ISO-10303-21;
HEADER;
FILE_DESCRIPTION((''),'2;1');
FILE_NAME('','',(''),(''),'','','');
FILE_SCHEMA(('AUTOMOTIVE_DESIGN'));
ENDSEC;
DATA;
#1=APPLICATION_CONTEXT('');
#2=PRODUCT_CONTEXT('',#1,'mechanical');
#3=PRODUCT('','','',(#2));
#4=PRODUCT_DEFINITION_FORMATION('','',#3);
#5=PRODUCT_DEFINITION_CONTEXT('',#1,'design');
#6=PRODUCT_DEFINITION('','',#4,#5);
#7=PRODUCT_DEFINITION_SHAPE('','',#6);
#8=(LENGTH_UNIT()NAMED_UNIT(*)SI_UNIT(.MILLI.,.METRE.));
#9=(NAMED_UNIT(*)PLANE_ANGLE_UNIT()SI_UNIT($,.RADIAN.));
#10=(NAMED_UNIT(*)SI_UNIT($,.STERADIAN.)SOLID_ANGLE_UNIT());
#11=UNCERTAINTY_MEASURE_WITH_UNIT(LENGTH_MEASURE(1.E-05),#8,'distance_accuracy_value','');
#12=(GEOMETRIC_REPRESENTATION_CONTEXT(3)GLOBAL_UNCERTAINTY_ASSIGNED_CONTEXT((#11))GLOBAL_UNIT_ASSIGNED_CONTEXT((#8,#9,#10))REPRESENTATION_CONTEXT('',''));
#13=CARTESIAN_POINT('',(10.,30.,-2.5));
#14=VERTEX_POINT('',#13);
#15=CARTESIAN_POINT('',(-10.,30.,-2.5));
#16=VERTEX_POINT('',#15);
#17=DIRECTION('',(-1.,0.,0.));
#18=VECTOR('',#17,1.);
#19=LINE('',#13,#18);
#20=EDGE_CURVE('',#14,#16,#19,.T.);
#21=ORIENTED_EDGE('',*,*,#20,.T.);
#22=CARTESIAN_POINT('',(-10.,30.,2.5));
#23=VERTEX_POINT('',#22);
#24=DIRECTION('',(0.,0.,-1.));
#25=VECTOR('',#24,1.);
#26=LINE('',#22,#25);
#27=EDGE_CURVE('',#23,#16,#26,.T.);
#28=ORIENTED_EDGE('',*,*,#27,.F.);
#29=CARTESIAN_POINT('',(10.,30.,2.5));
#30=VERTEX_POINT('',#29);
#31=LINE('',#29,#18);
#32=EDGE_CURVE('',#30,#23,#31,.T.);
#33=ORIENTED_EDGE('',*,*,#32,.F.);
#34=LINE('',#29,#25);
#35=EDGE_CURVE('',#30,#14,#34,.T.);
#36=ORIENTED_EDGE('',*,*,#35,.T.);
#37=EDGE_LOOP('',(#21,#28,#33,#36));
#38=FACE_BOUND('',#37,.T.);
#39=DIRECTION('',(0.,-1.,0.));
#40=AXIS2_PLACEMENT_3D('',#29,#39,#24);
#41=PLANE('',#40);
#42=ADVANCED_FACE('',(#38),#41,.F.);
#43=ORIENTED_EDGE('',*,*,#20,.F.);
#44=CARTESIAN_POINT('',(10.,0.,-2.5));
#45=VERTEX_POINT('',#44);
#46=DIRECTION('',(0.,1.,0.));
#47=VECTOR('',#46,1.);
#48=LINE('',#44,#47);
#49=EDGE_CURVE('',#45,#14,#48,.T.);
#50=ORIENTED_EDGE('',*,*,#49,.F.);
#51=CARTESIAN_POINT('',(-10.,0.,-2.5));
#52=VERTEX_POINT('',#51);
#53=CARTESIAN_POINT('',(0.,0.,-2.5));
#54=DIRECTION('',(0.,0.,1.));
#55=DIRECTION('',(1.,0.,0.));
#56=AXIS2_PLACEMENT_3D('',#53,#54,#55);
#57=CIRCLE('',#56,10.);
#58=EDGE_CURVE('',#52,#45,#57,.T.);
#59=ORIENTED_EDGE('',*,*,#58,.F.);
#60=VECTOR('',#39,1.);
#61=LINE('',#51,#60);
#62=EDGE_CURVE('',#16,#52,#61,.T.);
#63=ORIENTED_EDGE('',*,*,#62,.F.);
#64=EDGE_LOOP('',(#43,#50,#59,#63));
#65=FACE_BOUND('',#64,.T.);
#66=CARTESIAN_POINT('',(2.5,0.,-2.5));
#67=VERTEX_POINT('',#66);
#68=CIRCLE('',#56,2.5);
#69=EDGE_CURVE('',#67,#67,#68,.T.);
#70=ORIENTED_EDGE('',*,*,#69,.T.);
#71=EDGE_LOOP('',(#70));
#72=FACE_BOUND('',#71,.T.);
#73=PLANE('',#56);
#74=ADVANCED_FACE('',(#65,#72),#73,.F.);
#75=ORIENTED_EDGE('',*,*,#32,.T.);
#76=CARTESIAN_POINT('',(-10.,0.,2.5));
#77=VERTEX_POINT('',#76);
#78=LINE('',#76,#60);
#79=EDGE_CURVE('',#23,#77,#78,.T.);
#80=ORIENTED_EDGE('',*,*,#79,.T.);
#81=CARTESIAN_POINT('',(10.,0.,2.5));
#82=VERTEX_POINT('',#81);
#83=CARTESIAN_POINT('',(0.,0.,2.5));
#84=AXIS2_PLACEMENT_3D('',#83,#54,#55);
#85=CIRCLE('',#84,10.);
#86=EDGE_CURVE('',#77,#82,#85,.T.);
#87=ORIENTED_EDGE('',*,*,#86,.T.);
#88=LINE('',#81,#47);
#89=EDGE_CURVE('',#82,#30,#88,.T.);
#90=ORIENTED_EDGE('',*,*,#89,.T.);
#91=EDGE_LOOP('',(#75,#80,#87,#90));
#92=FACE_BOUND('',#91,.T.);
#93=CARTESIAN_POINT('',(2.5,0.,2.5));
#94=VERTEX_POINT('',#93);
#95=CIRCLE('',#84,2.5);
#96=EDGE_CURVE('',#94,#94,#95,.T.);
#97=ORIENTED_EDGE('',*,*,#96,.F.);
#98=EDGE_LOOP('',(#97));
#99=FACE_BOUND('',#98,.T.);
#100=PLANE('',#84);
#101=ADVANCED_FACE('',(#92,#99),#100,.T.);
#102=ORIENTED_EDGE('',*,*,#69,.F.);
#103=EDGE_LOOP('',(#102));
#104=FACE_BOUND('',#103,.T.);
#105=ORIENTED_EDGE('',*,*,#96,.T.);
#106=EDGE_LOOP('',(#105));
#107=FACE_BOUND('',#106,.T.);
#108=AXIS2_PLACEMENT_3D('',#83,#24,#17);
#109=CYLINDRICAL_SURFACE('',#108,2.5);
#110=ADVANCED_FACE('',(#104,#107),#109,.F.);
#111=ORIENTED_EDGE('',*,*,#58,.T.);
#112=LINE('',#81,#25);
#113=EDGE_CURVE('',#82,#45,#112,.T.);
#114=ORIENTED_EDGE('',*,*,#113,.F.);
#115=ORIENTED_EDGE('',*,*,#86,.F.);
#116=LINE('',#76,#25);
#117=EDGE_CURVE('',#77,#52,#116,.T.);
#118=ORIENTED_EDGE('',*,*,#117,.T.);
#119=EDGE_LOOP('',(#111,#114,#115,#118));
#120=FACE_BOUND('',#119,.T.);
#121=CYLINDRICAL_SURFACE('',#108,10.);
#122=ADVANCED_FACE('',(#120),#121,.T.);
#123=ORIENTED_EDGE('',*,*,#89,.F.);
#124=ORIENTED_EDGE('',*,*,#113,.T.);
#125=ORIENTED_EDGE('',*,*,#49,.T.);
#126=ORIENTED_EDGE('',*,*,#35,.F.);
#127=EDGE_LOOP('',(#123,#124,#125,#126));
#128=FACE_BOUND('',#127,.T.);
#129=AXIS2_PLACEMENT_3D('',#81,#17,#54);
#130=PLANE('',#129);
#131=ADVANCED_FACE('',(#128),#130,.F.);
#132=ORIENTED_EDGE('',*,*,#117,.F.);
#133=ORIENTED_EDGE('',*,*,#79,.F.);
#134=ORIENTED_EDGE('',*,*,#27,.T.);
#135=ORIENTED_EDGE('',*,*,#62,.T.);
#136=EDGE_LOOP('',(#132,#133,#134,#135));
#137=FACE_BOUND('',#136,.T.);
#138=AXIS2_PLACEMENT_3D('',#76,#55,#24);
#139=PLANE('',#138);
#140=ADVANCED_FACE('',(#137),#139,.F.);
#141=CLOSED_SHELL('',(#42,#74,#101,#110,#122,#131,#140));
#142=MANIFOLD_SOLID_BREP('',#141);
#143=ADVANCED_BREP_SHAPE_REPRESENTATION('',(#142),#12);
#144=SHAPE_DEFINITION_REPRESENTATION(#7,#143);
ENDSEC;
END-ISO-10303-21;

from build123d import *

# Parameters (mm, degrees)
SKETCH1_R           = 2.5
BOSS_EXTRUDE1_DEPTH = 2.5


with BuildPart() as part:
    # Sketch1 → Boss-Extrude1 (new, symmetric)
    with BuildSketch(Plane.XY):
        with BuildLine():
            Line((10, 0), (10, 30))
            Line((10, 30), (-10, 30))
            Line((-10, 30), (-10, 0))
            ThreePointArc((-10, 0), (0, -10), (10, 0))
        make_face()
        Circle(SKETCH1_R, mode=Mode.SUBTRACT)
    extrude(amount=BOSS_EXTRUDE1_DEPTH, both=True)


solid = part.part
